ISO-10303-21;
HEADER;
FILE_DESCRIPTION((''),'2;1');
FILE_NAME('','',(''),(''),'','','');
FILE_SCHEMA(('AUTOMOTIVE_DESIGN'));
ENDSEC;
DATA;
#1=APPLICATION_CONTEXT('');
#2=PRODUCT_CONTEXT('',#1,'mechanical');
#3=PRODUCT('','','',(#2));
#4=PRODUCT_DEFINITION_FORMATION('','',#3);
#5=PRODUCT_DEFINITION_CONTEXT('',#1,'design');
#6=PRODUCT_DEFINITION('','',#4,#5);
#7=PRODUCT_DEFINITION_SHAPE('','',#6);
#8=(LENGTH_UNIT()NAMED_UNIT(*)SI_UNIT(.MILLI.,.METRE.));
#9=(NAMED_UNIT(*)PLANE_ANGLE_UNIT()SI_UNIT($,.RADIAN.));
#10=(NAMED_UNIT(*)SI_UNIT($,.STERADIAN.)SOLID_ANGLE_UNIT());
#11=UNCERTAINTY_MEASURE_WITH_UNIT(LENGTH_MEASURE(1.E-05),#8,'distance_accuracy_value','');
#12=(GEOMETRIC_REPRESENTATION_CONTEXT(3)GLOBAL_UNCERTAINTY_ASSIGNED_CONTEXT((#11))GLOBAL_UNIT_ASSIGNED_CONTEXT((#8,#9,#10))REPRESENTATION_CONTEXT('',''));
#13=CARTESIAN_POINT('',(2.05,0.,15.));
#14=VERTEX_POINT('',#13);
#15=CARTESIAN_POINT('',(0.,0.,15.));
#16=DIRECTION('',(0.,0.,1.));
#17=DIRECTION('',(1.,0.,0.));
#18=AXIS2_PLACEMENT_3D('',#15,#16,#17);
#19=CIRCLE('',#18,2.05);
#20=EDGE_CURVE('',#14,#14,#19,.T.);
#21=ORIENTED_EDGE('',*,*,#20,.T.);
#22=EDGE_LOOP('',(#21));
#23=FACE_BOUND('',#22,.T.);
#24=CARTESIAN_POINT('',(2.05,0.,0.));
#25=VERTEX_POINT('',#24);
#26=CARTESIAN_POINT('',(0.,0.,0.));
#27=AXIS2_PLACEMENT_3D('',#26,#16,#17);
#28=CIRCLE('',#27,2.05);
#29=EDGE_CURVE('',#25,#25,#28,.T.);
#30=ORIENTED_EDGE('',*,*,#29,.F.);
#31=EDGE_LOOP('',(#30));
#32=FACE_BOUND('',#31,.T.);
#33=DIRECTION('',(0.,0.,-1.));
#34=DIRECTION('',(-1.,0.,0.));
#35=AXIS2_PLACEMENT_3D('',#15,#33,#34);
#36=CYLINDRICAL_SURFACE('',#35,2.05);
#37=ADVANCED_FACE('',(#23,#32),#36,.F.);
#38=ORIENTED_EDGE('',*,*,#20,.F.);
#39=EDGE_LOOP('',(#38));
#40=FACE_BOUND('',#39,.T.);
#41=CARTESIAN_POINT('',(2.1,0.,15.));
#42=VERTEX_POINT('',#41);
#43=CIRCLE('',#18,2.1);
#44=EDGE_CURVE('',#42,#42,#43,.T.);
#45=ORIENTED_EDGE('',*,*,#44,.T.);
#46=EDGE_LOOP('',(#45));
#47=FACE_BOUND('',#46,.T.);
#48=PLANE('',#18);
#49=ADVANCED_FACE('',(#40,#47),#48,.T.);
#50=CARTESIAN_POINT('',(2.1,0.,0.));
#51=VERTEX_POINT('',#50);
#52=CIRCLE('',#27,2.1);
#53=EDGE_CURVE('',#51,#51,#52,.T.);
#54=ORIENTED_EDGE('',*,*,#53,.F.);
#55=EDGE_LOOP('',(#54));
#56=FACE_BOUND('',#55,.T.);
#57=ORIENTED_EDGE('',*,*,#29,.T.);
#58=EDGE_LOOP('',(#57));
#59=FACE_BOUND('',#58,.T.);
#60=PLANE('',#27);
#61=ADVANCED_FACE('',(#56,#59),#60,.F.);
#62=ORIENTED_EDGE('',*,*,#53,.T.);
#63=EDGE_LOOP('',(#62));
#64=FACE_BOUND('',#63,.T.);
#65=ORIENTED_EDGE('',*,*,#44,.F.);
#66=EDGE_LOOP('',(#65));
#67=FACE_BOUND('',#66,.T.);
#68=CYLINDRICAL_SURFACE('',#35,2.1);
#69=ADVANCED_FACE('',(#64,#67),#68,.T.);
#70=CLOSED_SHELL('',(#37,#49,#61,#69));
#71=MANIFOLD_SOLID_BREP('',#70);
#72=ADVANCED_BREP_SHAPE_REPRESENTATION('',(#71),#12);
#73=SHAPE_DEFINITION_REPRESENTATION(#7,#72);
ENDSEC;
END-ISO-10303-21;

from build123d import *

# Parameters (mm, degrees)
CROQUIS1_R              = 2.1
CROQUIS1_R_2            = 2.05
SALIENTE_EXTRUIR1_DEPTH = 15


with BuildPart() as part:
    # Croquis1 → Saliente-Extruir1 (new body)
    with BuildSketch(Plane.XY):
        Circle(CROQUIS1_R)
        Circle(CROQUIS1_R_2, mode=Mode.SUBTRACT)
    extrude(amount=SALIENTE_EXTRUIR1_DEPTH)


solid = part.part
